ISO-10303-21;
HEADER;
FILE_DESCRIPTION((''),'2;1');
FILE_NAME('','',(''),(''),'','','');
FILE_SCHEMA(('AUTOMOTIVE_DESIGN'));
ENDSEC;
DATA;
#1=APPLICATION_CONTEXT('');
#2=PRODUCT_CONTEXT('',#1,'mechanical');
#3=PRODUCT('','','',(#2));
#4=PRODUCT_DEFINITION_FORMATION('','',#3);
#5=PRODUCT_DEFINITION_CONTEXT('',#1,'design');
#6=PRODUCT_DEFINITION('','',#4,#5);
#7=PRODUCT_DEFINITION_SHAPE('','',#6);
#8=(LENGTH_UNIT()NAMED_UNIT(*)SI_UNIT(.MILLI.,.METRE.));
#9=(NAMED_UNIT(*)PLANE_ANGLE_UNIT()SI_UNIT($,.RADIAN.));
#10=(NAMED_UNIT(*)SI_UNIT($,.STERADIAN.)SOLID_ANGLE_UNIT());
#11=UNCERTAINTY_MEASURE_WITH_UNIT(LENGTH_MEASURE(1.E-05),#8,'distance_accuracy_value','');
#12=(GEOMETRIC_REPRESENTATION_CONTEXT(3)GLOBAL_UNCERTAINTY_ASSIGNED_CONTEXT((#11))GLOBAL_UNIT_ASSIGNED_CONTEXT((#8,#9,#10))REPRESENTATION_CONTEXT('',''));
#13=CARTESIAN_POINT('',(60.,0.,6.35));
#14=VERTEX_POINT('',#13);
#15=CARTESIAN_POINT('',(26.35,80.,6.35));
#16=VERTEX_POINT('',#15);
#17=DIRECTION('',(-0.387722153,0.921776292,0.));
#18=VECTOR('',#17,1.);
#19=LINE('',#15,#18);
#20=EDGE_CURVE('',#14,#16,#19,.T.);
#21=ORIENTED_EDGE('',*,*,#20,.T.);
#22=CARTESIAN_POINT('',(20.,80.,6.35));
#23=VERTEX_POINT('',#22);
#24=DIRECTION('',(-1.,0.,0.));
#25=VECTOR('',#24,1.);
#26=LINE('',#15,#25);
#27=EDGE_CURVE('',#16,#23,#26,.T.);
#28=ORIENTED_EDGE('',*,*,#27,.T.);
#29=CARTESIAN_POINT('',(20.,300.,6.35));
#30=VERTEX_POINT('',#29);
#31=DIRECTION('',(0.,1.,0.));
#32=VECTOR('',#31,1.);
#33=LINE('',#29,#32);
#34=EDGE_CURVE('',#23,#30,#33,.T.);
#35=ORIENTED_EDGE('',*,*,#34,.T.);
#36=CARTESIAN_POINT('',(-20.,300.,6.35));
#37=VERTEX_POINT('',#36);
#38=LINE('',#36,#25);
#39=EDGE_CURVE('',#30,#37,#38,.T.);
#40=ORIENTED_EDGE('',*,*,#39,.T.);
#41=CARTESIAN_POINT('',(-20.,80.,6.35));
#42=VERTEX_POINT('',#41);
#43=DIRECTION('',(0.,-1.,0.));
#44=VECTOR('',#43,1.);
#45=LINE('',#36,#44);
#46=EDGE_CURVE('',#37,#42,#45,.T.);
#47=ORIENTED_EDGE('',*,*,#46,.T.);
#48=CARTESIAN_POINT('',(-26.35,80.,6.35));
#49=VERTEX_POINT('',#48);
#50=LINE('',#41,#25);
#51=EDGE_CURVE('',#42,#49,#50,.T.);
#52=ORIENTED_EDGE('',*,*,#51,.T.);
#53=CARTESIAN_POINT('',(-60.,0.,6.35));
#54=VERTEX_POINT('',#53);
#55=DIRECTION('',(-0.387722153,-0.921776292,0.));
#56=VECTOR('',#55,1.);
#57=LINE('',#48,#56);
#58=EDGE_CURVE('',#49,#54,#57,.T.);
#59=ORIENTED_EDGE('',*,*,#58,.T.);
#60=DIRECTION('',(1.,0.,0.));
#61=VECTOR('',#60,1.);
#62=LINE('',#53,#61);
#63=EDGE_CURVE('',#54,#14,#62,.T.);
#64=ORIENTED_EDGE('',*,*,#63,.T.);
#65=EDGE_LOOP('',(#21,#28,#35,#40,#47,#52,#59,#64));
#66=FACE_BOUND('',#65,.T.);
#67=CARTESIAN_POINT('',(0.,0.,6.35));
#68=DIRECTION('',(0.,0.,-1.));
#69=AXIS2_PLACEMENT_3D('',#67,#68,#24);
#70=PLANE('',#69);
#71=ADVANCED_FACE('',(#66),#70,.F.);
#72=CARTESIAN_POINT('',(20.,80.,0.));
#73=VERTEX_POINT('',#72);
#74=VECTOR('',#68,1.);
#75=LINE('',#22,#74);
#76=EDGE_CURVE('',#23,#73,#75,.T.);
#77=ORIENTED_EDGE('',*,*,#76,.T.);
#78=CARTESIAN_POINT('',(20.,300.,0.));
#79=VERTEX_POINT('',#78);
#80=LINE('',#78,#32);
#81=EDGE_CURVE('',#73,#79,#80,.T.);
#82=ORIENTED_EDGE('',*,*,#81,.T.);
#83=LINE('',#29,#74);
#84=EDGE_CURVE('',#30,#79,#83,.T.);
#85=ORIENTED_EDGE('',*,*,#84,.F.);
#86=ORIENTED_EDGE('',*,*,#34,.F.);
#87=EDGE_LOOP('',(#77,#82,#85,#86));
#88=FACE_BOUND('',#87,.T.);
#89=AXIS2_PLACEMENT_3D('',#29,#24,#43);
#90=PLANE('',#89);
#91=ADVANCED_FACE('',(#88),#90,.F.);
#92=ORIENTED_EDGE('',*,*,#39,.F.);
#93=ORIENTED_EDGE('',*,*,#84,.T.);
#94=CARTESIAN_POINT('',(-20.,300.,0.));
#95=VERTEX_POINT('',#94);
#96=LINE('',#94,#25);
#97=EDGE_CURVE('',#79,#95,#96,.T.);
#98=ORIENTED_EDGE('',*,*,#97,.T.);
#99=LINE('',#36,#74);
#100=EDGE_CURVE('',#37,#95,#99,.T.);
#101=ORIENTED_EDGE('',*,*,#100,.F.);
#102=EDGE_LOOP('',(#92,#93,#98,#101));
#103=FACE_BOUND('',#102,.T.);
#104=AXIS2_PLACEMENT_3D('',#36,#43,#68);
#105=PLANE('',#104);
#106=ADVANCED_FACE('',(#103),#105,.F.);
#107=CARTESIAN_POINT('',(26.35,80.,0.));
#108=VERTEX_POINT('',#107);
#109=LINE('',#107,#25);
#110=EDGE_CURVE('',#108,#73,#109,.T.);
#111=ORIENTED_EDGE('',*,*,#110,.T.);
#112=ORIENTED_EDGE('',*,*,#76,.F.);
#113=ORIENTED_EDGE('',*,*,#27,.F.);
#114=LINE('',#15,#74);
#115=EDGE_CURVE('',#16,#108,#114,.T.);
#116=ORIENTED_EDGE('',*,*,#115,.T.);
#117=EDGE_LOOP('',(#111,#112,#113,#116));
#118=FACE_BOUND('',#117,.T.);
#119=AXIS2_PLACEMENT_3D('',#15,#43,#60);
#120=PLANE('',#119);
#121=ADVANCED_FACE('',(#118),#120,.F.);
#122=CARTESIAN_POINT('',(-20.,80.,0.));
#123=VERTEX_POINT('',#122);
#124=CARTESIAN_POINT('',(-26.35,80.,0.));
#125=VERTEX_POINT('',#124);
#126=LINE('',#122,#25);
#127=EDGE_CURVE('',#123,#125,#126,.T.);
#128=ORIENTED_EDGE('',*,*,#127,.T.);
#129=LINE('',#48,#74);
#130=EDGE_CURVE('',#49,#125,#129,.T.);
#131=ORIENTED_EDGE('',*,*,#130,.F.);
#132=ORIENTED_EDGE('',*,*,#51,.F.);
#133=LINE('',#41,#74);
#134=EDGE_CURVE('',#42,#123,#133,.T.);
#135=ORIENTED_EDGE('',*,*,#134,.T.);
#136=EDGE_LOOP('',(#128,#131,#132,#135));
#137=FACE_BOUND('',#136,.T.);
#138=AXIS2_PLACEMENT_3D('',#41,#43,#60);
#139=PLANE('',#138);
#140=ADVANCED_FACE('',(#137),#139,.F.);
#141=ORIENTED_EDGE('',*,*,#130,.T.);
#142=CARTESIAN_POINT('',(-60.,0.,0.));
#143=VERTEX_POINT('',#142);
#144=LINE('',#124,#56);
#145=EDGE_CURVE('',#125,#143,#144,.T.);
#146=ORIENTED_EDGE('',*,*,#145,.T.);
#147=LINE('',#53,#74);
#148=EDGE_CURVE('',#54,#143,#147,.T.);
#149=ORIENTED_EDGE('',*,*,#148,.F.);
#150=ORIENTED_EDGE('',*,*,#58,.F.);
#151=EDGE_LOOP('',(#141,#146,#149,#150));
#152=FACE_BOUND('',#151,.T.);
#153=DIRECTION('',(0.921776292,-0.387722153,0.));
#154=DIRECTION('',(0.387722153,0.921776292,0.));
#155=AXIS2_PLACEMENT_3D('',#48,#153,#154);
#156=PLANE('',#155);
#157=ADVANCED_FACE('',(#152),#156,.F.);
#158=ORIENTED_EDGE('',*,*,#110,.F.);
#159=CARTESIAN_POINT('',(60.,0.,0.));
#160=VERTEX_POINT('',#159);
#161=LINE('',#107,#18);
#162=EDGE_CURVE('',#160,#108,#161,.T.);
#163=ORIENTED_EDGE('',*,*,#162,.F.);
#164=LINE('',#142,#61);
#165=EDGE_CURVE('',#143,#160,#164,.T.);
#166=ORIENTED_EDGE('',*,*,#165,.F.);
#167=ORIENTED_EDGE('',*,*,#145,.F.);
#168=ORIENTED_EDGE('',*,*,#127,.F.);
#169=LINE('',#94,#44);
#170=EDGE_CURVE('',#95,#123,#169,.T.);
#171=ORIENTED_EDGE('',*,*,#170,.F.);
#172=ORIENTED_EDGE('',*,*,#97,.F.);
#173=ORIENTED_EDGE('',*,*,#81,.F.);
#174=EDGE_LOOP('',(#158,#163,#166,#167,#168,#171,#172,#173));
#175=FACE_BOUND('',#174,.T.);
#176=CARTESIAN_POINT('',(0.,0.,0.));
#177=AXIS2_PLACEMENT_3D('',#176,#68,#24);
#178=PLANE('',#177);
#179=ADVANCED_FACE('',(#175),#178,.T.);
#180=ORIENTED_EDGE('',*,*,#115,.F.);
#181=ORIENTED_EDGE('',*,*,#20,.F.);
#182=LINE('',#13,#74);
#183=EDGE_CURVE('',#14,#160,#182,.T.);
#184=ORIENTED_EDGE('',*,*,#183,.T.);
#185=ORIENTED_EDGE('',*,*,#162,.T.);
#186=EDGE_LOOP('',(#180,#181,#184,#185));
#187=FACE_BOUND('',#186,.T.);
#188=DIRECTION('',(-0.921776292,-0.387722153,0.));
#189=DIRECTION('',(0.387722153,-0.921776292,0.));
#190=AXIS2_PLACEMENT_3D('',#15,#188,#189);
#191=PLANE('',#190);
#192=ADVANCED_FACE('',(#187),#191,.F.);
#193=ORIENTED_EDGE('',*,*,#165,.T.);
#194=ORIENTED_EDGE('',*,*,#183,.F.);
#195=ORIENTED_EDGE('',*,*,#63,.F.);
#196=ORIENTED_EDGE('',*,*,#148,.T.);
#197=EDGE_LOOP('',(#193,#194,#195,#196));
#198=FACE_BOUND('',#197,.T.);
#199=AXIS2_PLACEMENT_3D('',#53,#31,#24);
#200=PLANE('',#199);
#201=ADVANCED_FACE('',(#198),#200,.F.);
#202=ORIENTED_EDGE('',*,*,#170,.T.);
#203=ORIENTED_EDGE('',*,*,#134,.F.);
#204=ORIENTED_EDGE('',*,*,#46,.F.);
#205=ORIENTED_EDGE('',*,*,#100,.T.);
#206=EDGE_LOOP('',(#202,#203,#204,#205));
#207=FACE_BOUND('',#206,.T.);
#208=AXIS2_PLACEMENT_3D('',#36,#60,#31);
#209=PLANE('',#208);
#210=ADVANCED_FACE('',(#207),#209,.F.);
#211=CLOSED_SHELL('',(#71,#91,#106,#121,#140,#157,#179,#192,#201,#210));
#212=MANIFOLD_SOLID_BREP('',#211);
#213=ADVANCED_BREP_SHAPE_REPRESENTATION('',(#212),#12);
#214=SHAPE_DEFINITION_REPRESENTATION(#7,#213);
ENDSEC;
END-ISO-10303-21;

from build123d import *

# Parameters (mm, degrees)
BOSS_EXTRU_1_DEPTH = 6.35


with BuildPart() as part:
    # Esquisse1 → Boss.-Extru.1 (new body)
    with BuildSketch(Plane.XY):
        Polygon((-20, 300), (20, 300), (20, 80), (26.35, 80), (60, 0), (-60, 0), (-26.35, 80), (-20, 80), align=None)
    extrude(amount=BOSS_EXTRU_1_DEPTH)


solid = part.part
